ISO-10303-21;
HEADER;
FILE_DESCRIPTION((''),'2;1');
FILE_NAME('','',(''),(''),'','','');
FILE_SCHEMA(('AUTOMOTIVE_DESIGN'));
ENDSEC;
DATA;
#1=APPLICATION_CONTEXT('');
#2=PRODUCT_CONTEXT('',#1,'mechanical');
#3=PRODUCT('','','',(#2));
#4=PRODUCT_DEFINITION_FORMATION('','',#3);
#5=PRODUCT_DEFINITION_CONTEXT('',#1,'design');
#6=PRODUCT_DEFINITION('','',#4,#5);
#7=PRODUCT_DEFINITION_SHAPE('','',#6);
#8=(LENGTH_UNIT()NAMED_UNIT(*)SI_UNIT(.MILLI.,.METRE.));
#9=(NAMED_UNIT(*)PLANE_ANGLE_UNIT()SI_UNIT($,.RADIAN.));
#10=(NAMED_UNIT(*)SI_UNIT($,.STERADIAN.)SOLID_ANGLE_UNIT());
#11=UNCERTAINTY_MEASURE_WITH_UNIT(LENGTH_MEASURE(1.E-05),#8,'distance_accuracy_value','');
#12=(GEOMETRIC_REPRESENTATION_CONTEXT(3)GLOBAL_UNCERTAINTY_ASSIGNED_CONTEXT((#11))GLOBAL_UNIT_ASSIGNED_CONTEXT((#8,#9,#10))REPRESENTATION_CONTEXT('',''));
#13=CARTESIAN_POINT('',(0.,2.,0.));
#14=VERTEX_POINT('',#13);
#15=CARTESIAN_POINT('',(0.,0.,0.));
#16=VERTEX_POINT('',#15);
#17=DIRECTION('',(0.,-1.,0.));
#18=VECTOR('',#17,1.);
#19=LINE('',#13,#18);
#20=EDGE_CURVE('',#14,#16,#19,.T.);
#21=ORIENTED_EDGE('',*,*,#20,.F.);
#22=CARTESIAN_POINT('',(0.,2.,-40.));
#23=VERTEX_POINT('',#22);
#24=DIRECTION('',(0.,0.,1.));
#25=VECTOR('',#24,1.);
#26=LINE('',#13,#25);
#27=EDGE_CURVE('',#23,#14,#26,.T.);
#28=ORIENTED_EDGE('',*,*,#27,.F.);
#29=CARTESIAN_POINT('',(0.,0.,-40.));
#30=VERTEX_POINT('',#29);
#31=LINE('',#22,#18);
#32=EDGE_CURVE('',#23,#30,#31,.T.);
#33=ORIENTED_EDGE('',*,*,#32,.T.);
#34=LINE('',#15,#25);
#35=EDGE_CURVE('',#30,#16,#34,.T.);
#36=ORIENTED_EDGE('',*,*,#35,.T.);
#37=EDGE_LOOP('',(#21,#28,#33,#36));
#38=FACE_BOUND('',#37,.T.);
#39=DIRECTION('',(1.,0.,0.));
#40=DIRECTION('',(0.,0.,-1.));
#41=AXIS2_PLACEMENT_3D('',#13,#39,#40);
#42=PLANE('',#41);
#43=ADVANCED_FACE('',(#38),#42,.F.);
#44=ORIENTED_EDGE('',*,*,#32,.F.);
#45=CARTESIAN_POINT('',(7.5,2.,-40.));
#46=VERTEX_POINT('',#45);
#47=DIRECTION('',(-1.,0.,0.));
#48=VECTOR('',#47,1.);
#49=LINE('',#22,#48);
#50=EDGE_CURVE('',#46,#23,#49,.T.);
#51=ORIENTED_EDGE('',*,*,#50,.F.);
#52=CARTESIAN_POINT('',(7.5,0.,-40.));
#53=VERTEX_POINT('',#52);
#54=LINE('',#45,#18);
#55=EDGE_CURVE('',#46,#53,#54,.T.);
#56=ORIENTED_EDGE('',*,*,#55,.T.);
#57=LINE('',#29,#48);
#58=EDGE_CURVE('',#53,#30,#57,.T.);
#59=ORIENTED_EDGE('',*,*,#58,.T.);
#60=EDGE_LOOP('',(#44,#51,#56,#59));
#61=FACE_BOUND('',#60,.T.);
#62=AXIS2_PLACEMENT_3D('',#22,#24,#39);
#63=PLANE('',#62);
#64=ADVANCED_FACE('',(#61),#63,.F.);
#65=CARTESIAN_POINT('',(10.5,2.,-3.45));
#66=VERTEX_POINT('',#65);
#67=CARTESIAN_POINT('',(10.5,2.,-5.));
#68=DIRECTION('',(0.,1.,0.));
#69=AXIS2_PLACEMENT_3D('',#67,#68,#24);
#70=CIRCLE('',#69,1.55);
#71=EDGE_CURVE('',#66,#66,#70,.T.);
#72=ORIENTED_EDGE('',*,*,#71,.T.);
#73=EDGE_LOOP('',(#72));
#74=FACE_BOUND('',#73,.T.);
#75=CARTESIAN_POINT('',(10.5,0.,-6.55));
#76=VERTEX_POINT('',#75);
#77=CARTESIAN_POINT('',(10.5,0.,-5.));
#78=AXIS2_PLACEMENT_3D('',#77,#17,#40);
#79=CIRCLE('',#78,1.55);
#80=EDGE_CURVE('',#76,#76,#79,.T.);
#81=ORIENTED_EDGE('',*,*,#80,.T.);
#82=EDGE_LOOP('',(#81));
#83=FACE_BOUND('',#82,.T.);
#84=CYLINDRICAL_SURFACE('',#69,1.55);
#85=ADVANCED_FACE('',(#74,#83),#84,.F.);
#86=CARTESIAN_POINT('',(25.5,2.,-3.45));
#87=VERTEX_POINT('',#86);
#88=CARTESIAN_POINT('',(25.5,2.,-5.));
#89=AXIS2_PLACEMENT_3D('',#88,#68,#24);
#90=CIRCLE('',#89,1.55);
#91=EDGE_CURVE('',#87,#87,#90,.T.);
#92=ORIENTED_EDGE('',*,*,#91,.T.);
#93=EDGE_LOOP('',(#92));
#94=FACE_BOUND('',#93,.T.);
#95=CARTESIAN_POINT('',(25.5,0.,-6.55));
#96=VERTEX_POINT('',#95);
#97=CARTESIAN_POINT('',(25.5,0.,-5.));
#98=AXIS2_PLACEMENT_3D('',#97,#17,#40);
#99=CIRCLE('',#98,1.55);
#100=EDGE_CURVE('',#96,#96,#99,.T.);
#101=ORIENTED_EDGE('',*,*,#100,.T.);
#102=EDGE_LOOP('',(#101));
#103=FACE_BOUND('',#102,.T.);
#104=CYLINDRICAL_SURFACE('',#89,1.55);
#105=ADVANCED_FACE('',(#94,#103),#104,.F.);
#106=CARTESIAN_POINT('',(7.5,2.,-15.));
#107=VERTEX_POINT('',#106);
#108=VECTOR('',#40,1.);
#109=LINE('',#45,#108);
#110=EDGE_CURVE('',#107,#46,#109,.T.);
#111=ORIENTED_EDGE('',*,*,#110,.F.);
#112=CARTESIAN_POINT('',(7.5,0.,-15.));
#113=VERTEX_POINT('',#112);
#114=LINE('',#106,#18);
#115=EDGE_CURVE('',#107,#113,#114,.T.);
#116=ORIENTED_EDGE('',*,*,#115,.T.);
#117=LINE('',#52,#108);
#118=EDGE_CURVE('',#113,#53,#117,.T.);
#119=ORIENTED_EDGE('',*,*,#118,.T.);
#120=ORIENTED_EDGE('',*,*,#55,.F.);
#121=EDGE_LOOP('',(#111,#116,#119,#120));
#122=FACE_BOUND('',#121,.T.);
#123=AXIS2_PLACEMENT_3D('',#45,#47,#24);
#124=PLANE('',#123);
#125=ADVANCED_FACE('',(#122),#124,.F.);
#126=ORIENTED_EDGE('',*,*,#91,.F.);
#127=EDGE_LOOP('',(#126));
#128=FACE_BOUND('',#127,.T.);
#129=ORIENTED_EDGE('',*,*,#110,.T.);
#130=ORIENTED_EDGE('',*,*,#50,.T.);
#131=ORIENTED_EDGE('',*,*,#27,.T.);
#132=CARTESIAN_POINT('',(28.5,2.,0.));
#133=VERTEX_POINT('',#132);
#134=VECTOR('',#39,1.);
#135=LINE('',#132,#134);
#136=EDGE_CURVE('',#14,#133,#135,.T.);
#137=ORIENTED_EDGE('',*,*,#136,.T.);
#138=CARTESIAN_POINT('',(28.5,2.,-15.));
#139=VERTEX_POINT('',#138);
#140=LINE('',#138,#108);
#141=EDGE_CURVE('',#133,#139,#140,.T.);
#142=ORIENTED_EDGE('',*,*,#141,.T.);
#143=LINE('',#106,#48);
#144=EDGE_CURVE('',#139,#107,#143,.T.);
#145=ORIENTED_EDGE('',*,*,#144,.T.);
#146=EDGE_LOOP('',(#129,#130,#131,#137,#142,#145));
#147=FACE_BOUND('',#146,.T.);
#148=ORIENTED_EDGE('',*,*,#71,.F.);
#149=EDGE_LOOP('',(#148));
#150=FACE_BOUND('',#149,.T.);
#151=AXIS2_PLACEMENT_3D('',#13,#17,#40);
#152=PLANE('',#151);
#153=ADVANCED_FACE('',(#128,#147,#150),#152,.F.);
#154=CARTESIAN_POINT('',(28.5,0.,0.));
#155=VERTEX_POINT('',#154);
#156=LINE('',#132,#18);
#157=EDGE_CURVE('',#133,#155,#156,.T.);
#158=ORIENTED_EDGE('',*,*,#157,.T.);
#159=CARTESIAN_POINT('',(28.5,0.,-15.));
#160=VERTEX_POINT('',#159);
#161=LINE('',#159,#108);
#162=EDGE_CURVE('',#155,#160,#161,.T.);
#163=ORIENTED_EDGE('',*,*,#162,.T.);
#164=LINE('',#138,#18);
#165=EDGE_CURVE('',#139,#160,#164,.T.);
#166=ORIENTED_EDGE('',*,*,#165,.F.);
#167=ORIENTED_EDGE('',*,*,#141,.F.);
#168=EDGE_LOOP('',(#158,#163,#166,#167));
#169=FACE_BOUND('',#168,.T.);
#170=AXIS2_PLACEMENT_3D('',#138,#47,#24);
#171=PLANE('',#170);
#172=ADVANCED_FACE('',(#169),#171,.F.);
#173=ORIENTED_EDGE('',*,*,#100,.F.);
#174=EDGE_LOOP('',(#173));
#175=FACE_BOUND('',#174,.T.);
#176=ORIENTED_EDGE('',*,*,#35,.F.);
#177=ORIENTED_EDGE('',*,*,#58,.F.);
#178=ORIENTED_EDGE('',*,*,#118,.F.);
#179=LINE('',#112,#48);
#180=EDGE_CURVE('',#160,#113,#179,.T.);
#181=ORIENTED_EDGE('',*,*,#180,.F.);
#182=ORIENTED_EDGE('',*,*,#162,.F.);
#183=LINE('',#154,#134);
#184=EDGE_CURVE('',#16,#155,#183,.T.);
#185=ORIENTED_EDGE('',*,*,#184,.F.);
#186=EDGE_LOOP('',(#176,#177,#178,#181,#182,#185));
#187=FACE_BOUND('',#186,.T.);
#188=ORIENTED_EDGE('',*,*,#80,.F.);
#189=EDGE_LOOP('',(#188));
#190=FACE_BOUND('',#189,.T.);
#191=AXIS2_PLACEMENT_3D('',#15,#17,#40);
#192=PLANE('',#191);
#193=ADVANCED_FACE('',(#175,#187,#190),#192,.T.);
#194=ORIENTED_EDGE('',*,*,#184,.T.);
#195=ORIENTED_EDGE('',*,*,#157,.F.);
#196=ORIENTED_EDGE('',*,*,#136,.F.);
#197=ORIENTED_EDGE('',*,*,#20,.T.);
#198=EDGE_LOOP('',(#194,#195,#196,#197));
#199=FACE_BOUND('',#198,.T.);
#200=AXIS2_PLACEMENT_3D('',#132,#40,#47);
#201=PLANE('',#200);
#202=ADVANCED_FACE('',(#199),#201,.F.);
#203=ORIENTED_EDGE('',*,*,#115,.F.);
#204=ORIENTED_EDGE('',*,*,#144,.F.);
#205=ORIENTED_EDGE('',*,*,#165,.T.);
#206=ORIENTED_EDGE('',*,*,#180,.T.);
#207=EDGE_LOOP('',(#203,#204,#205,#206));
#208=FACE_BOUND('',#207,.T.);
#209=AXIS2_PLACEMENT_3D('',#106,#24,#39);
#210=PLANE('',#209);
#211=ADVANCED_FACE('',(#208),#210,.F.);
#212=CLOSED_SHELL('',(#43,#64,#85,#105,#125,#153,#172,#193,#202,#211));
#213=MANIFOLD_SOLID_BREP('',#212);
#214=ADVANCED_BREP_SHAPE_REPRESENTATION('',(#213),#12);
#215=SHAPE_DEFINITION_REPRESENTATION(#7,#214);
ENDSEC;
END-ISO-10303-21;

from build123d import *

# Parameters (mm, degrees)
BOSS_EXTRUDE1_DEPTH            = 2
F_3_1_3_1_DIAMETER_HOLE1_D     = 3.1
F_3_1_3_1_DIAMETER_HOLE1_DEPTH = 10
F_3_1_3_1_DIAMETER_HOLE1_TIP   = 0.931333959


with BuildPart() as part:
    # Sketch1 → Boss-Extrude1 (new body)
    with BuildSketch(Plane(origin=(0, 0, 0), x_dir=(1, 0, 0), z_dir=(0, 1, 0))):
        Polygon((0, 0), (0, 40), (7.5, 40), (7.5, 15), (28.5, 15), (28.5, 0), align=None)
    extrude(amount=BOSS_EXTRUDE1_DEPTH)

    # Ø3.1 (3.1) Diameter Hole1
    with Locations(Plane(origin=(0, 2, 0), x_dir=(1, 0, 0), z_dir=(0, 1, 0))):
        with Locations((10.5, 5), (25.5, 5)):
            Hole(F_3_1_3_1_DIAMETER_HOLE1_D / 2, depth=F_3_1_3_1_DIAMETER_HOLE1_DEPTH)
            with Locations((0, 0, -(F_3_1_3_1_DIAMETER_HOLE1_DEPTH + F_3_1_3_1_DIAMETER_HOLE1_TIP / 2))):  # 118° drill point
                Cone(0, F_3_1_3_1_DIAMETER_HOLE1_D / 2, F_3_1_3_1_DIAMETER_HOLE1_TIP, mode=Mode.SUBTRACT)


solid = part.part
